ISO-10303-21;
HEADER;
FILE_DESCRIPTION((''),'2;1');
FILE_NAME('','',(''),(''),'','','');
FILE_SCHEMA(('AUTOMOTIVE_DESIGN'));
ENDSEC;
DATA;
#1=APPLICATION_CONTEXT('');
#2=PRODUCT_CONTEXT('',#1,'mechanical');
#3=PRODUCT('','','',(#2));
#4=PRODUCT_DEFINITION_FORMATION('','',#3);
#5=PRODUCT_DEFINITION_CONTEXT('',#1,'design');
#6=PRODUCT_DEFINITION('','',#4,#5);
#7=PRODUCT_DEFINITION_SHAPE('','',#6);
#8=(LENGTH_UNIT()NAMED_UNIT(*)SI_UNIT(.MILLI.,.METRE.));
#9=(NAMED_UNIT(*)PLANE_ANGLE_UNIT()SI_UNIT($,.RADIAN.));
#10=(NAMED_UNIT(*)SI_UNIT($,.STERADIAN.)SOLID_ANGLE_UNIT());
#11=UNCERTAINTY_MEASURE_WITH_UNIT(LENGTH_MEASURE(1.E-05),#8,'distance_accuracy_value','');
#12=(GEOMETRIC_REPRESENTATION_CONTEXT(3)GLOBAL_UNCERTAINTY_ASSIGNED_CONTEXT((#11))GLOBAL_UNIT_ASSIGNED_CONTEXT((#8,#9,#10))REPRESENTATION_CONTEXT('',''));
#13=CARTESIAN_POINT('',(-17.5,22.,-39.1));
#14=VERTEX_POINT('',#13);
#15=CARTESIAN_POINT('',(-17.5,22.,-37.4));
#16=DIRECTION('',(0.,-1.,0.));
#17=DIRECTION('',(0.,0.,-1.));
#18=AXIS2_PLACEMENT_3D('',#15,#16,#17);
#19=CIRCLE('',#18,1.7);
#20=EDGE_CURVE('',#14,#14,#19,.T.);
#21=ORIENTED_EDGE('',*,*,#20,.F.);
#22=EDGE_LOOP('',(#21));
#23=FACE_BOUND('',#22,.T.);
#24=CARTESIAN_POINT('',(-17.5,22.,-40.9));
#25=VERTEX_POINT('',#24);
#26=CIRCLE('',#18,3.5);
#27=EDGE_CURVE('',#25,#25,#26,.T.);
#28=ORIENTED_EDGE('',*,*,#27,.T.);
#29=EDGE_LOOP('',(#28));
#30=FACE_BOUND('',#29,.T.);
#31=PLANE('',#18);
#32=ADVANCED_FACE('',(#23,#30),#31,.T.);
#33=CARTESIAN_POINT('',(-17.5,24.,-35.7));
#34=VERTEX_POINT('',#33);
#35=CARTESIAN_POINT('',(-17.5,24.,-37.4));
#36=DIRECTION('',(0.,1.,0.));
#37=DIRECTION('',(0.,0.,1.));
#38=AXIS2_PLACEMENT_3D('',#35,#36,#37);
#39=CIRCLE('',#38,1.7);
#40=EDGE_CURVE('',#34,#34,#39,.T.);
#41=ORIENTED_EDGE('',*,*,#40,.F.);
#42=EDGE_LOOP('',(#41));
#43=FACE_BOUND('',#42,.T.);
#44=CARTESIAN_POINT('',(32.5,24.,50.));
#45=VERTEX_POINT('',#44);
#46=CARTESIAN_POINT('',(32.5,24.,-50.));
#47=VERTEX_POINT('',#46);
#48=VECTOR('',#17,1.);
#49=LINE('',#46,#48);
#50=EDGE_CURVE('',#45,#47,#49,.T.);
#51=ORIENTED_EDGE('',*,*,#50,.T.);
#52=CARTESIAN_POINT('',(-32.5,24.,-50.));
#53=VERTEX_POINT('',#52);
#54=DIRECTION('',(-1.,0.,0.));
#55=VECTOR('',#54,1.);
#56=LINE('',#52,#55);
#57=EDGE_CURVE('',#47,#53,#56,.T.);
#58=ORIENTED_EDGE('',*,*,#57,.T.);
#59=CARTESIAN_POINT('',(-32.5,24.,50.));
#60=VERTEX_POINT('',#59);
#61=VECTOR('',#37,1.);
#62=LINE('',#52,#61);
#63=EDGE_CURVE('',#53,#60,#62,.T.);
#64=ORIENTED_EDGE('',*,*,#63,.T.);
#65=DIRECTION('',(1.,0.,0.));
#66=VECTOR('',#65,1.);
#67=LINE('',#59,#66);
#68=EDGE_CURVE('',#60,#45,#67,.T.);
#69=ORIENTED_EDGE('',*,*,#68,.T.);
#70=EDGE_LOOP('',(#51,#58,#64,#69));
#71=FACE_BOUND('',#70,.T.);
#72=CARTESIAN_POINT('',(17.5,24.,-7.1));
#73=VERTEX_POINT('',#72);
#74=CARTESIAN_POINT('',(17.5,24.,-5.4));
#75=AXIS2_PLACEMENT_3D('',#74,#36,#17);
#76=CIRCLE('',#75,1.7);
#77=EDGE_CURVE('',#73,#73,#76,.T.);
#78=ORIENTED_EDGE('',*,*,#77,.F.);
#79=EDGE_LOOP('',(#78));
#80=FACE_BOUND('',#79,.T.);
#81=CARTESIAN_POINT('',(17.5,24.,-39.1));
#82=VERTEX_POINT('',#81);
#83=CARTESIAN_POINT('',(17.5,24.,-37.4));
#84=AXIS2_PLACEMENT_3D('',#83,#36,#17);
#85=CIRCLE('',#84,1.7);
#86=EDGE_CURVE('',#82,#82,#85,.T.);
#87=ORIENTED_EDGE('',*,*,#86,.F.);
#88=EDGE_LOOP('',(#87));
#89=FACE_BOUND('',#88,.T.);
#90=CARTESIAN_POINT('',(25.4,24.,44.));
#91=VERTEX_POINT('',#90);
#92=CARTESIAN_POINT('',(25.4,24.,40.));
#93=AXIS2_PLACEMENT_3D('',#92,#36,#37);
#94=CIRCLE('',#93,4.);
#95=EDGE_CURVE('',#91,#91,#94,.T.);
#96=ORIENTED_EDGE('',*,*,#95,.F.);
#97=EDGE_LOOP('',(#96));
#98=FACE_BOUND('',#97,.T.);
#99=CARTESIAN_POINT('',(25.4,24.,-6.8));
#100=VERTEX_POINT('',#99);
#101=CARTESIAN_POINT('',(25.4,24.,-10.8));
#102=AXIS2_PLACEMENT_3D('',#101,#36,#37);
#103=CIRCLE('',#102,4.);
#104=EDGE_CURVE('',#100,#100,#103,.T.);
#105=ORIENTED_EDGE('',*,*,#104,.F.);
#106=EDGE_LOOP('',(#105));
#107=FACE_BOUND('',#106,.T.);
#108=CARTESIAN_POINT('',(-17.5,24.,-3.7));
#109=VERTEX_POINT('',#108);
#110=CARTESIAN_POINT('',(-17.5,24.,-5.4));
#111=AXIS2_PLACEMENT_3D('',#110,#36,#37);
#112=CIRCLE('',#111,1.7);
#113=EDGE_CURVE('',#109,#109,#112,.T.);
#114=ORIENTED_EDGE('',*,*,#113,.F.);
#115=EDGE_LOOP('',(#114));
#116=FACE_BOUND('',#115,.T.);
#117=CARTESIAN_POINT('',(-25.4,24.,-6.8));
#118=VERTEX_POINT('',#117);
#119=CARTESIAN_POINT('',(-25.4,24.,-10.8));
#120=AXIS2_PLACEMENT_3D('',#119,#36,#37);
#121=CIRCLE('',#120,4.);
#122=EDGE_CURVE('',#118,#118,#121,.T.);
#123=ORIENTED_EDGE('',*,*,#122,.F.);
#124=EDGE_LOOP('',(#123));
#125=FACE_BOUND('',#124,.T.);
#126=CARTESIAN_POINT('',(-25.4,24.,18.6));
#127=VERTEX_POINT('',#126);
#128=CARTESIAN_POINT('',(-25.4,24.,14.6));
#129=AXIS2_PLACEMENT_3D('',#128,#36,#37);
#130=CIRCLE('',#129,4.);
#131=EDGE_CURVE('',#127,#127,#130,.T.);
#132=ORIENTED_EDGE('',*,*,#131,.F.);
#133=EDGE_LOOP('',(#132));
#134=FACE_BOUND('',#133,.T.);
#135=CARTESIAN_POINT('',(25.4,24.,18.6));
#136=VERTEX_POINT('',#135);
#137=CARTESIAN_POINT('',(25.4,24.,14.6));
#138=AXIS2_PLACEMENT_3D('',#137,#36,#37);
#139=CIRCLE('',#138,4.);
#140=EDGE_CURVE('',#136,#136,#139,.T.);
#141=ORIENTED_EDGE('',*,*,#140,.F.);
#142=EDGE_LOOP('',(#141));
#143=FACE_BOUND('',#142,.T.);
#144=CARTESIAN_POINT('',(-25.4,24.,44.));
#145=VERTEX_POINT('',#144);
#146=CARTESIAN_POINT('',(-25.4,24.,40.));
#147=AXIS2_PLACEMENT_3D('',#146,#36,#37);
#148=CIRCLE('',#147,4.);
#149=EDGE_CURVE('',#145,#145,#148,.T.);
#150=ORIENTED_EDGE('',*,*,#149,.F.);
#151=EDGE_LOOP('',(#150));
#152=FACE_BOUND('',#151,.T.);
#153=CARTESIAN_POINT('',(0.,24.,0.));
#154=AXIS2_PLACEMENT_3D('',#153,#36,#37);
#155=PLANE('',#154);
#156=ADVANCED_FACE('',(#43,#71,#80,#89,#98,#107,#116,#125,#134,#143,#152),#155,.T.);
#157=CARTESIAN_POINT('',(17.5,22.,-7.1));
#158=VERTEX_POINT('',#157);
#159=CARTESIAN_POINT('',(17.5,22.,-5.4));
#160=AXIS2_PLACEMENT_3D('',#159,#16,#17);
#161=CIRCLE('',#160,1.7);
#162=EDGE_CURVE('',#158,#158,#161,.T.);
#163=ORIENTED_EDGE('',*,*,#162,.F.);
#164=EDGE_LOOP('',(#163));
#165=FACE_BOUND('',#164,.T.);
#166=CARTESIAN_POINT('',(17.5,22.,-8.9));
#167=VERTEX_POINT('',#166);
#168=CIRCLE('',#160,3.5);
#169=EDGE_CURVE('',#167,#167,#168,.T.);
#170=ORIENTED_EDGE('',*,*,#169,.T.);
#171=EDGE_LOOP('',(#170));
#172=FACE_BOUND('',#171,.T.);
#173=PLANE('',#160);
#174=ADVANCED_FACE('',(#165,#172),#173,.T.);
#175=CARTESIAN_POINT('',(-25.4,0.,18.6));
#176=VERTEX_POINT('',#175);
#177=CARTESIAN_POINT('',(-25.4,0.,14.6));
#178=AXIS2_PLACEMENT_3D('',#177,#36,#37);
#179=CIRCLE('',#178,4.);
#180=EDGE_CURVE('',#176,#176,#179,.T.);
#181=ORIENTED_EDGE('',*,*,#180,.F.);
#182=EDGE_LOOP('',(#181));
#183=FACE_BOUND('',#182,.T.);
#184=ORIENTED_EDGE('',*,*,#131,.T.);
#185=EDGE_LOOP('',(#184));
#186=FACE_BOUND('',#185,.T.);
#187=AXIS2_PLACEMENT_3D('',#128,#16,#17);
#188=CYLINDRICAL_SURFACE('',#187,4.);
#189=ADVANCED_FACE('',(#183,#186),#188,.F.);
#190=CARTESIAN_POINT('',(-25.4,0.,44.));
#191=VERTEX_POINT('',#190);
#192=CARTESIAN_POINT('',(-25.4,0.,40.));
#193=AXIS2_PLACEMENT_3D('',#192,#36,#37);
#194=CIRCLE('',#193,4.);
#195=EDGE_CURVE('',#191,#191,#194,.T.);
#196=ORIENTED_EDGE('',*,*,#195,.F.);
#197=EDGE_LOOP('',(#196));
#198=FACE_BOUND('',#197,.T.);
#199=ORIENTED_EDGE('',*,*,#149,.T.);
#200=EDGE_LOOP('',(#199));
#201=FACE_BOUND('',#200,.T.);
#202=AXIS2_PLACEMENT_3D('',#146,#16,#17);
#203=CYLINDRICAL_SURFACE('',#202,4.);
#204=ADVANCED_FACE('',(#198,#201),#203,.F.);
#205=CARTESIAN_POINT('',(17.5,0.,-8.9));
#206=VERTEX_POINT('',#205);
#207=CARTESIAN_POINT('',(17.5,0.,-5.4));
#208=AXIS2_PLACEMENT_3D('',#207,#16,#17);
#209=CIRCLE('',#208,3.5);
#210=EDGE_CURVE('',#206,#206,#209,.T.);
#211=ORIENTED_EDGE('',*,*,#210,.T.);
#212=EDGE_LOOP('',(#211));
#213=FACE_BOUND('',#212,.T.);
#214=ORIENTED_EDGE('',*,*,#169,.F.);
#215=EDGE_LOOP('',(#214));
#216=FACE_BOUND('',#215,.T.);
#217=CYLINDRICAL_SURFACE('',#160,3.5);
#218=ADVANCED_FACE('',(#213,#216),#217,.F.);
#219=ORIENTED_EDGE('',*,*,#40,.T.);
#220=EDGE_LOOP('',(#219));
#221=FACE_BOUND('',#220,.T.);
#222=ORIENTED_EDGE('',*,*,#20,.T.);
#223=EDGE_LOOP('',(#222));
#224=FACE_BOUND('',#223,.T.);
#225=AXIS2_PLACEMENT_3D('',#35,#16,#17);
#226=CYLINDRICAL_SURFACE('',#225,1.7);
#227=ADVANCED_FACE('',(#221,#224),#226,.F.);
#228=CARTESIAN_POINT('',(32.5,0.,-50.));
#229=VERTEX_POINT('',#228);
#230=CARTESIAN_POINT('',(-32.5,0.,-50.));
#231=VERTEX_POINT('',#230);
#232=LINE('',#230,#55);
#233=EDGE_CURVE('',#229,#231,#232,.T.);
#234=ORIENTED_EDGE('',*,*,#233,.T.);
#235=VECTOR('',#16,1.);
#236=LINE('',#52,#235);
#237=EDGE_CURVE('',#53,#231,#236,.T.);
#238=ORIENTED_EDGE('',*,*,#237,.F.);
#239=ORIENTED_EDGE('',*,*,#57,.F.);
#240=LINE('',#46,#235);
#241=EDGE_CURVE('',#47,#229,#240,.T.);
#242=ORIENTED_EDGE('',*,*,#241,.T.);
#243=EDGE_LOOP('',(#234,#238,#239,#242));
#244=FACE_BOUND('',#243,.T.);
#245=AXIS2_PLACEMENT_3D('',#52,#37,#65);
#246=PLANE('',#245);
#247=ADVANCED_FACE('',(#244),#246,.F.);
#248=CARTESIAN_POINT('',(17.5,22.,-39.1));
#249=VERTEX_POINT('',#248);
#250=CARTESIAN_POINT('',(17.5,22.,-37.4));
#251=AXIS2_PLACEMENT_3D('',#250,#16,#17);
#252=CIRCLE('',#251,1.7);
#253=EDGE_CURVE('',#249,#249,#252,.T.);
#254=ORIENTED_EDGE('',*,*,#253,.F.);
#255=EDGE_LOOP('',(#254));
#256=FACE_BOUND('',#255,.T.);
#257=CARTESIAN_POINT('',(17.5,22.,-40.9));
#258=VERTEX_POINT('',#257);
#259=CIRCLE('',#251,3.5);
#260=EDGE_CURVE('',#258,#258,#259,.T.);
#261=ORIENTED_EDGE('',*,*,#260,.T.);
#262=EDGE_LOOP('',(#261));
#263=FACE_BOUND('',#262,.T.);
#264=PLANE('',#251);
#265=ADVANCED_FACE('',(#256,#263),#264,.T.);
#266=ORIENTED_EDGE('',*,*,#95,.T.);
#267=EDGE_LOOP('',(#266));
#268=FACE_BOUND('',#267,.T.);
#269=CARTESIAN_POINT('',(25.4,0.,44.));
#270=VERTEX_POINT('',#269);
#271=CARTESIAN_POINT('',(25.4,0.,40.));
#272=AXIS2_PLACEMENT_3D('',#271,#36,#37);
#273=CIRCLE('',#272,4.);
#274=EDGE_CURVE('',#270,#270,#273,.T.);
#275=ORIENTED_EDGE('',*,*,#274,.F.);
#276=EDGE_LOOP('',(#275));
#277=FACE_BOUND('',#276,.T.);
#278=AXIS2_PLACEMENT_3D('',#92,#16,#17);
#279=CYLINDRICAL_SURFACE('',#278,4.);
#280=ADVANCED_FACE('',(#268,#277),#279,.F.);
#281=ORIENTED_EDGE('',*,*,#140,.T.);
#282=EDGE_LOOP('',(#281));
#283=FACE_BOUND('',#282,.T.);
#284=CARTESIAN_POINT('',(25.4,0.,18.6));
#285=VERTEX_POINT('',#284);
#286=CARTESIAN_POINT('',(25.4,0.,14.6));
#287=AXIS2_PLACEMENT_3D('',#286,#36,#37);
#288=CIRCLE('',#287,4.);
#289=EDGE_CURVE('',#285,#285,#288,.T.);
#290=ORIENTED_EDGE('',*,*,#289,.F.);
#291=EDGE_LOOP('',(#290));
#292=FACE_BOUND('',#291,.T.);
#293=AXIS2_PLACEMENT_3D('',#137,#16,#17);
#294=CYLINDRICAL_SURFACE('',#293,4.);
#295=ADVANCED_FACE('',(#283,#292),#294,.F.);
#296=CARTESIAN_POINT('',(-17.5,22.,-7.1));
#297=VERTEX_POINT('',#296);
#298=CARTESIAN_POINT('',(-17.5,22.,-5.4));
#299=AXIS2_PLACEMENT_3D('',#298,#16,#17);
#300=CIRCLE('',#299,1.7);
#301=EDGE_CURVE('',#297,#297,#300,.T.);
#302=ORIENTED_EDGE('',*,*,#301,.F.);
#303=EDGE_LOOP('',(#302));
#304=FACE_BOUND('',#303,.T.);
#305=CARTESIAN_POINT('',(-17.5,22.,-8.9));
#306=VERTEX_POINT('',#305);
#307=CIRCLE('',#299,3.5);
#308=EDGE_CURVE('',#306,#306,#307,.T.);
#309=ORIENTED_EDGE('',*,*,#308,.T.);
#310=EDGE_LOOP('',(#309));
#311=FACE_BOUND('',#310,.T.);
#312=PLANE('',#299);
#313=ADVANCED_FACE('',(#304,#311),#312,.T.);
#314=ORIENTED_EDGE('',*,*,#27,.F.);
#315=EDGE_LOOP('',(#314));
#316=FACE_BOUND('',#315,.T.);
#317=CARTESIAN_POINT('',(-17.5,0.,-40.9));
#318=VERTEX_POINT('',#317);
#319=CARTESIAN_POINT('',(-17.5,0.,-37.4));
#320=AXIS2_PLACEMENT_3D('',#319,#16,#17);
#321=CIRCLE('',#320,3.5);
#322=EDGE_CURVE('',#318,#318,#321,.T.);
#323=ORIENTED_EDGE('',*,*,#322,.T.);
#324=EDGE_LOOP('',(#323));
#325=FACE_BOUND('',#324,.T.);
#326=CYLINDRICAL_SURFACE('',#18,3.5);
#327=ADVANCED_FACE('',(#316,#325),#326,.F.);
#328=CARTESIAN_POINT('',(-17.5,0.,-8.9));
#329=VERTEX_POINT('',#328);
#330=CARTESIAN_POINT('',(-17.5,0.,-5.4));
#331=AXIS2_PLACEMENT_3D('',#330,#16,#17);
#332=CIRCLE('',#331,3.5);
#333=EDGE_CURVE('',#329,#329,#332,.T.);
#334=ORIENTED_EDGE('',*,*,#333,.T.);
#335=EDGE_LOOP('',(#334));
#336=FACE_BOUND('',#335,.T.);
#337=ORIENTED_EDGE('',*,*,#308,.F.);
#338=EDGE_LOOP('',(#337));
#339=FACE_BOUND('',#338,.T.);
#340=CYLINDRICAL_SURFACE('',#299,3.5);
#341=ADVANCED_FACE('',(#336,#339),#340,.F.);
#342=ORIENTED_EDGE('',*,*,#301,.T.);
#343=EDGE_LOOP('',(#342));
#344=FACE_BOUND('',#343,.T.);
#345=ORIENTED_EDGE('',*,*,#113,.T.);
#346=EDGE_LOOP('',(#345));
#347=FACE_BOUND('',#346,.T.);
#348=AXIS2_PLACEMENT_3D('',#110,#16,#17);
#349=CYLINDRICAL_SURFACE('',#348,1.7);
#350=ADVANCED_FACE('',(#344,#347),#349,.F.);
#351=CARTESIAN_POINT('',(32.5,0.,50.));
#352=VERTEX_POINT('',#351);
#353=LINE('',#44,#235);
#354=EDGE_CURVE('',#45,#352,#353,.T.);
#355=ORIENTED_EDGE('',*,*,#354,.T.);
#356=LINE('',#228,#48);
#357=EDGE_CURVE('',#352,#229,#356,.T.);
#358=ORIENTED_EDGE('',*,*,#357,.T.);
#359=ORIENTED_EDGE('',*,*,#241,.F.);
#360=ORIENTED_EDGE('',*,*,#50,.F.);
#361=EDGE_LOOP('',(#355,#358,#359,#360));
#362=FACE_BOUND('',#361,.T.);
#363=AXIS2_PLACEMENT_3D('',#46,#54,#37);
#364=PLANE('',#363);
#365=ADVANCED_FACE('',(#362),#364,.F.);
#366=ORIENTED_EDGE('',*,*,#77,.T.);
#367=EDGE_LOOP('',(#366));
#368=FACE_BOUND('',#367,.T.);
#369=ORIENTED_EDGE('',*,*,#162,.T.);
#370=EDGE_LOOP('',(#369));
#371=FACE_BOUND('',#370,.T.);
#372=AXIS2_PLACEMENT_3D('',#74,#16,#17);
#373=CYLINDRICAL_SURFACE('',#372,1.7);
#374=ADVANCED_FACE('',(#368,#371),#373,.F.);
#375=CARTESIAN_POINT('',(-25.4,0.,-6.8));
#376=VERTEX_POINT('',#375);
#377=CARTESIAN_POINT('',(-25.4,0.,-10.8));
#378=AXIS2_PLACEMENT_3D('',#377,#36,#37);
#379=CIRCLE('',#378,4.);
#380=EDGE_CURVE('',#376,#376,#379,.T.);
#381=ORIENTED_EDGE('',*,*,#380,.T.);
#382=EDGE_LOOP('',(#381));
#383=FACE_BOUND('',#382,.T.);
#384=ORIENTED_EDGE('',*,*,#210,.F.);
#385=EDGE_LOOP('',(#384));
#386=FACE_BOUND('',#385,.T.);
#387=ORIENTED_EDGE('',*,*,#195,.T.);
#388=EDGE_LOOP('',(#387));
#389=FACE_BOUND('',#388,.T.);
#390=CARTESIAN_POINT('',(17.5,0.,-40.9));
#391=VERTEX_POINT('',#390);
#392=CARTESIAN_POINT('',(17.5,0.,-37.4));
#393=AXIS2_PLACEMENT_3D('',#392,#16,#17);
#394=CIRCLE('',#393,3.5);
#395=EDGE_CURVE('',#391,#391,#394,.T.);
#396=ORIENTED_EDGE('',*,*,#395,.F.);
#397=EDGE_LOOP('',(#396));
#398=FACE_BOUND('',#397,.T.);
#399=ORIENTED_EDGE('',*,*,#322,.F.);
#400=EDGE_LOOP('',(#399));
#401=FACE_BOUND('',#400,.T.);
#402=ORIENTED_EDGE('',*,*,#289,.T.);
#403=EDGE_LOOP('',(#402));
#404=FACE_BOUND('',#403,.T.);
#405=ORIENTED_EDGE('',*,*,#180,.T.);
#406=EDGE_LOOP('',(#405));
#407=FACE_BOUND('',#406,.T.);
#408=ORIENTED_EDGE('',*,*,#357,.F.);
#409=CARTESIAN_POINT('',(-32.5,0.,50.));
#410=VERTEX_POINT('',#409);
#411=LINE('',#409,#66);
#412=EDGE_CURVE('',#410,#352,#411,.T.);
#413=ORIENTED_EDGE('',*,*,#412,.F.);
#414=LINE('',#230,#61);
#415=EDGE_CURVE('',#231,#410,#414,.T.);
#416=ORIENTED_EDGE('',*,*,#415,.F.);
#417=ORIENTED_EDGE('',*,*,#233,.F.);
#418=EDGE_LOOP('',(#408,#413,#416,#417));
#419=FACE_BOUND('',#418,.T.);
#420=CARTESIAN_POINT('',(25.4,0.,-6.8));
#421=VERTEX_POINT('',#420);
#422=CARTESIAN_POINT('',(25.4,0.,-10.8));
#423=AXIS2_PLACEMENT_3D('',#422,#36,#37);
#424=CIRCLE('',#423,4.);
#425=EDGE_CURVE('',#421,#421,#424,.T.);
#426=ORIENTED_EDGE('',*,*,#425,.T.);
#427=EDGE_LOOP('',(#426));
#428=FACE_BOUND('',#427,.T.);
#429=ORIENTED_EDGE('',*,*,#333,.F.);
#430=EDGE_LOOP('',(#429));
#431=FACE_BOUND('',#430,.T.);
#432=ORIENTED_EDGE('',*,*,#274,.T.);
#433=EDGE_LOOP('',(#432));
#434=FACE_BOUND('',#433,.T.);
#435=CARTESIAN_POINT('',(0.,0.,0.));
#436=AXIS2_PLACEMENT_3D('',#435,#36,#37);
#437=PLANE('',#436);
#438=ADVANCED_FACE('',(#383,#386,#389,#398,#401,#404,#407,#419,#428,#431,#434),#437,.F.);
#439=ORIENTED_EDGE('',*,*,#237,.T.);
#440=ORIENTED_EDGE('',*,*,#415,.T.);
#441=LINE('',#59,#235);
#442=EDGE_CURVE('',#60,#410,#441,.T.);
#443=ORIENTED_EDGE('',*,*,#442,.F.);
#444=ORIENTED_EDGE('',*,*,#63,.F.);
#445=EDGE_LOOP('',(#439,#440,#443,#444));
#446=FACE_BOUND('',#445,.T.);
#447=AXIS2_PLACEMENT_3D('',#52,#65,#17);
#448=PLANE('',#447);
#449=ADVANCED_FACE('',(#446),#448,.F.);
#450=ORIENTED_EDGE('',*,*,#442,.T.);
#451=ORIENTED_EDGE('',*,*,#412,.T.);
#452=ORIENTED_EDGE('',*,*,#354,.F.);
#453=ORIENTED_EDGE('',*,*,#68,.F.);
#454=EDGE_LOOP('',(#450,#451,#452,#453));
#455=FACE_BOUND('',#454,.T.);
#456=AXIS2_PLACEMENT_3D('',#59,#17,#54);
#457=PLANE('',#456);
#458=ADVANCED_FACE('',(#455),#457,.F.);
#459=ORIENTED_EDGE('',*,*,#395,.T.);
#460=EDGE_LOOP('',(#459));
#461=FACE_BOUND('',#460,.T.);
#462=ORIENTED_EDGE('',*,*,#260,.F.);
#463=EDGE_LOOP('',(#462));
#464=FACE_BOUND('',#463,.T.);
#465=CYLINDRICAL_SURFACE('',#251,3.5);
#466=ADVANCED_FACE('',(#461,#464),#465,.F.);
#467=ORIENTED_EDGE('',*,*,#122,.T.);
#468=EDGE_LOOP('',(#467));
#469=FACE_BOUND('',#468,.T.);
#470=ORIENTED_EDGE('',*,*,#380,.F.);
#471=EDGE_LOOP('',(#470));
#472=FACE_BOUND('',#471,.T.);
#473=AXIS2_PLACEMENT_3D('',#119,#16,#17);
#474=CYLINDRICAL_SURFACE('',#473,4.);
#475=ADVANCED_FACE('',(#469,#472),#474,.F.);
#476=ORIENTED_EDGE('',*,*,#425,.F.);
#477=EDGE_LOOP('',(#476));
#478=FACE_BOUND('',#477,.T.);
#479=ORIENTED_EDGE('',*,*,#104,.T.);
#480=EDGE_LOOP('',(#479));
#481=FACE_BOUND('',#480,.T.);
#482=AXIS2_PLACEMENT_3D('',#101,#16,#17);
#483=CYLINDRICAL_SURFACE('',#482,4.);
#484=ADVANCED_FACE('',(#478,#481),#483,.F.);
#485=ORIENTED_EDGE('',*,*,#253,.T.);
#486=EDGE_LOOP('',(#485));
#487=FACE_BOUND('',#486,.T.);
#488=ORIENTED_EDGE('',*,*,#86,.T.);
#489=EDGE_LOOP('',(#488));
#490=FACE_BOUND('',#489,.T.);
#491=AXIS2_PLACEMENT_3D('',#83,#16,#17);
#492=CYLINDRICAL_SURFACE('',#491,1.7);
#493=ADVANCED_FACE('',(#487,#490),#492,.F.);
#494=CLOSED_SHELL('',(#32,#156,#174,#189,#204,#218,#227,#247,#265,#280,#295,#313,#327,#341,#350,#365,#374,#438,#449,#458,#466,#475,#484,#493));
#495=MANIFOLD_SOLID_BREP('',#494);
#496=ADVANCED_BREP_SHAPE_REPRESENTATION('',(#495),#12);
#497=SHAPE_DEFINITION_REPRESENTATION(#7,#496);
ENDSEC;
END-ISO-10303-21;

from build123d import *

# Parameters (mm, degrees)
SKETCH1_W           = 65
SKETCH1_H           = 100
SKETCH1_R           = 4
SKETCH1_R_2         = 1.7
BOSS_EXTRUDE1_DEPTH = 24
SKETCH3_R           = 3.5
CUT_EXTRUDE1_DEPTH  = 22


with BuildPart() as part:
    # Sketch1 → Boss-Extrude1 (new body)
    with BuildSketch(Plane(origin=(0, 0, 0), x_dir=(1, 0, 0), z_dir=(0, 1, 0))):
        Rectangle(SKETCH1_W, SKETCH1_H)
        with Locations((-25.4, -40)):
            Circle(SKETCH1_R, mode=Mode.SUBTRACT)
        with Locations((25.4, -40)):
            Circle(SKETCH1_R, mode=Mode.SUBTRACT)
        with Locations((25.4, -14.6)):
            Circle(SKETCH1_R, mode=Mode.SUBTRACT)
        with Locations((-25.4, -14.6)):
            Circle(SKETCH1_R, mode=Mode.SUBTRACT)
        with Locations((-17.5, 5.4)):
            Circle(SKETCH1_R_2, mode=Mode.SUBTRACT)
        with Locations((17.5, 37.4)):
            Circle(SKETCH1_R_2, mode=Mode.SUBTRACT)
        with Locations((-17.5, 37.4)):
            Circle(SKETCH1_R_2, mode=Mode.SUBTRACT)
        with Locations((17.5, 5.4)):
            Circle(SKETCH1_R_2, mode=Mode.SUBTRACT)
        with Locations((25.4, 10.8)):
            Circle(SKETCH1_R, mode=Mode.SUBTRACT)
        with Locations((-25.4, 10.8)):
            Circle(SKETCH1_R, mode=Mode.SUBTRACT)
    extrude(amount=BOSS_EXTRUDE1_DEPTH)

    # Sketch3 → Cut-Extrude1 (cut)
    with BuildSketch(Plane.XZ):
        with Locations((-17.5, -5.4)):
            Circle(SKETCH3_R)
        with Locations((17.5, -5.4)):
            Circle(SKETCH3_R)
        with Locations((-17.5, -37.4)):
            Circle(SKETCH3_R)
        with Locations((17.5, -37.4)):
            Circle(SKETCH3_R)
    extrude(amount=-CUT_EXTRUDE1_DEPTH, mode=Mode.SUBTRACT)


solid = part.part
